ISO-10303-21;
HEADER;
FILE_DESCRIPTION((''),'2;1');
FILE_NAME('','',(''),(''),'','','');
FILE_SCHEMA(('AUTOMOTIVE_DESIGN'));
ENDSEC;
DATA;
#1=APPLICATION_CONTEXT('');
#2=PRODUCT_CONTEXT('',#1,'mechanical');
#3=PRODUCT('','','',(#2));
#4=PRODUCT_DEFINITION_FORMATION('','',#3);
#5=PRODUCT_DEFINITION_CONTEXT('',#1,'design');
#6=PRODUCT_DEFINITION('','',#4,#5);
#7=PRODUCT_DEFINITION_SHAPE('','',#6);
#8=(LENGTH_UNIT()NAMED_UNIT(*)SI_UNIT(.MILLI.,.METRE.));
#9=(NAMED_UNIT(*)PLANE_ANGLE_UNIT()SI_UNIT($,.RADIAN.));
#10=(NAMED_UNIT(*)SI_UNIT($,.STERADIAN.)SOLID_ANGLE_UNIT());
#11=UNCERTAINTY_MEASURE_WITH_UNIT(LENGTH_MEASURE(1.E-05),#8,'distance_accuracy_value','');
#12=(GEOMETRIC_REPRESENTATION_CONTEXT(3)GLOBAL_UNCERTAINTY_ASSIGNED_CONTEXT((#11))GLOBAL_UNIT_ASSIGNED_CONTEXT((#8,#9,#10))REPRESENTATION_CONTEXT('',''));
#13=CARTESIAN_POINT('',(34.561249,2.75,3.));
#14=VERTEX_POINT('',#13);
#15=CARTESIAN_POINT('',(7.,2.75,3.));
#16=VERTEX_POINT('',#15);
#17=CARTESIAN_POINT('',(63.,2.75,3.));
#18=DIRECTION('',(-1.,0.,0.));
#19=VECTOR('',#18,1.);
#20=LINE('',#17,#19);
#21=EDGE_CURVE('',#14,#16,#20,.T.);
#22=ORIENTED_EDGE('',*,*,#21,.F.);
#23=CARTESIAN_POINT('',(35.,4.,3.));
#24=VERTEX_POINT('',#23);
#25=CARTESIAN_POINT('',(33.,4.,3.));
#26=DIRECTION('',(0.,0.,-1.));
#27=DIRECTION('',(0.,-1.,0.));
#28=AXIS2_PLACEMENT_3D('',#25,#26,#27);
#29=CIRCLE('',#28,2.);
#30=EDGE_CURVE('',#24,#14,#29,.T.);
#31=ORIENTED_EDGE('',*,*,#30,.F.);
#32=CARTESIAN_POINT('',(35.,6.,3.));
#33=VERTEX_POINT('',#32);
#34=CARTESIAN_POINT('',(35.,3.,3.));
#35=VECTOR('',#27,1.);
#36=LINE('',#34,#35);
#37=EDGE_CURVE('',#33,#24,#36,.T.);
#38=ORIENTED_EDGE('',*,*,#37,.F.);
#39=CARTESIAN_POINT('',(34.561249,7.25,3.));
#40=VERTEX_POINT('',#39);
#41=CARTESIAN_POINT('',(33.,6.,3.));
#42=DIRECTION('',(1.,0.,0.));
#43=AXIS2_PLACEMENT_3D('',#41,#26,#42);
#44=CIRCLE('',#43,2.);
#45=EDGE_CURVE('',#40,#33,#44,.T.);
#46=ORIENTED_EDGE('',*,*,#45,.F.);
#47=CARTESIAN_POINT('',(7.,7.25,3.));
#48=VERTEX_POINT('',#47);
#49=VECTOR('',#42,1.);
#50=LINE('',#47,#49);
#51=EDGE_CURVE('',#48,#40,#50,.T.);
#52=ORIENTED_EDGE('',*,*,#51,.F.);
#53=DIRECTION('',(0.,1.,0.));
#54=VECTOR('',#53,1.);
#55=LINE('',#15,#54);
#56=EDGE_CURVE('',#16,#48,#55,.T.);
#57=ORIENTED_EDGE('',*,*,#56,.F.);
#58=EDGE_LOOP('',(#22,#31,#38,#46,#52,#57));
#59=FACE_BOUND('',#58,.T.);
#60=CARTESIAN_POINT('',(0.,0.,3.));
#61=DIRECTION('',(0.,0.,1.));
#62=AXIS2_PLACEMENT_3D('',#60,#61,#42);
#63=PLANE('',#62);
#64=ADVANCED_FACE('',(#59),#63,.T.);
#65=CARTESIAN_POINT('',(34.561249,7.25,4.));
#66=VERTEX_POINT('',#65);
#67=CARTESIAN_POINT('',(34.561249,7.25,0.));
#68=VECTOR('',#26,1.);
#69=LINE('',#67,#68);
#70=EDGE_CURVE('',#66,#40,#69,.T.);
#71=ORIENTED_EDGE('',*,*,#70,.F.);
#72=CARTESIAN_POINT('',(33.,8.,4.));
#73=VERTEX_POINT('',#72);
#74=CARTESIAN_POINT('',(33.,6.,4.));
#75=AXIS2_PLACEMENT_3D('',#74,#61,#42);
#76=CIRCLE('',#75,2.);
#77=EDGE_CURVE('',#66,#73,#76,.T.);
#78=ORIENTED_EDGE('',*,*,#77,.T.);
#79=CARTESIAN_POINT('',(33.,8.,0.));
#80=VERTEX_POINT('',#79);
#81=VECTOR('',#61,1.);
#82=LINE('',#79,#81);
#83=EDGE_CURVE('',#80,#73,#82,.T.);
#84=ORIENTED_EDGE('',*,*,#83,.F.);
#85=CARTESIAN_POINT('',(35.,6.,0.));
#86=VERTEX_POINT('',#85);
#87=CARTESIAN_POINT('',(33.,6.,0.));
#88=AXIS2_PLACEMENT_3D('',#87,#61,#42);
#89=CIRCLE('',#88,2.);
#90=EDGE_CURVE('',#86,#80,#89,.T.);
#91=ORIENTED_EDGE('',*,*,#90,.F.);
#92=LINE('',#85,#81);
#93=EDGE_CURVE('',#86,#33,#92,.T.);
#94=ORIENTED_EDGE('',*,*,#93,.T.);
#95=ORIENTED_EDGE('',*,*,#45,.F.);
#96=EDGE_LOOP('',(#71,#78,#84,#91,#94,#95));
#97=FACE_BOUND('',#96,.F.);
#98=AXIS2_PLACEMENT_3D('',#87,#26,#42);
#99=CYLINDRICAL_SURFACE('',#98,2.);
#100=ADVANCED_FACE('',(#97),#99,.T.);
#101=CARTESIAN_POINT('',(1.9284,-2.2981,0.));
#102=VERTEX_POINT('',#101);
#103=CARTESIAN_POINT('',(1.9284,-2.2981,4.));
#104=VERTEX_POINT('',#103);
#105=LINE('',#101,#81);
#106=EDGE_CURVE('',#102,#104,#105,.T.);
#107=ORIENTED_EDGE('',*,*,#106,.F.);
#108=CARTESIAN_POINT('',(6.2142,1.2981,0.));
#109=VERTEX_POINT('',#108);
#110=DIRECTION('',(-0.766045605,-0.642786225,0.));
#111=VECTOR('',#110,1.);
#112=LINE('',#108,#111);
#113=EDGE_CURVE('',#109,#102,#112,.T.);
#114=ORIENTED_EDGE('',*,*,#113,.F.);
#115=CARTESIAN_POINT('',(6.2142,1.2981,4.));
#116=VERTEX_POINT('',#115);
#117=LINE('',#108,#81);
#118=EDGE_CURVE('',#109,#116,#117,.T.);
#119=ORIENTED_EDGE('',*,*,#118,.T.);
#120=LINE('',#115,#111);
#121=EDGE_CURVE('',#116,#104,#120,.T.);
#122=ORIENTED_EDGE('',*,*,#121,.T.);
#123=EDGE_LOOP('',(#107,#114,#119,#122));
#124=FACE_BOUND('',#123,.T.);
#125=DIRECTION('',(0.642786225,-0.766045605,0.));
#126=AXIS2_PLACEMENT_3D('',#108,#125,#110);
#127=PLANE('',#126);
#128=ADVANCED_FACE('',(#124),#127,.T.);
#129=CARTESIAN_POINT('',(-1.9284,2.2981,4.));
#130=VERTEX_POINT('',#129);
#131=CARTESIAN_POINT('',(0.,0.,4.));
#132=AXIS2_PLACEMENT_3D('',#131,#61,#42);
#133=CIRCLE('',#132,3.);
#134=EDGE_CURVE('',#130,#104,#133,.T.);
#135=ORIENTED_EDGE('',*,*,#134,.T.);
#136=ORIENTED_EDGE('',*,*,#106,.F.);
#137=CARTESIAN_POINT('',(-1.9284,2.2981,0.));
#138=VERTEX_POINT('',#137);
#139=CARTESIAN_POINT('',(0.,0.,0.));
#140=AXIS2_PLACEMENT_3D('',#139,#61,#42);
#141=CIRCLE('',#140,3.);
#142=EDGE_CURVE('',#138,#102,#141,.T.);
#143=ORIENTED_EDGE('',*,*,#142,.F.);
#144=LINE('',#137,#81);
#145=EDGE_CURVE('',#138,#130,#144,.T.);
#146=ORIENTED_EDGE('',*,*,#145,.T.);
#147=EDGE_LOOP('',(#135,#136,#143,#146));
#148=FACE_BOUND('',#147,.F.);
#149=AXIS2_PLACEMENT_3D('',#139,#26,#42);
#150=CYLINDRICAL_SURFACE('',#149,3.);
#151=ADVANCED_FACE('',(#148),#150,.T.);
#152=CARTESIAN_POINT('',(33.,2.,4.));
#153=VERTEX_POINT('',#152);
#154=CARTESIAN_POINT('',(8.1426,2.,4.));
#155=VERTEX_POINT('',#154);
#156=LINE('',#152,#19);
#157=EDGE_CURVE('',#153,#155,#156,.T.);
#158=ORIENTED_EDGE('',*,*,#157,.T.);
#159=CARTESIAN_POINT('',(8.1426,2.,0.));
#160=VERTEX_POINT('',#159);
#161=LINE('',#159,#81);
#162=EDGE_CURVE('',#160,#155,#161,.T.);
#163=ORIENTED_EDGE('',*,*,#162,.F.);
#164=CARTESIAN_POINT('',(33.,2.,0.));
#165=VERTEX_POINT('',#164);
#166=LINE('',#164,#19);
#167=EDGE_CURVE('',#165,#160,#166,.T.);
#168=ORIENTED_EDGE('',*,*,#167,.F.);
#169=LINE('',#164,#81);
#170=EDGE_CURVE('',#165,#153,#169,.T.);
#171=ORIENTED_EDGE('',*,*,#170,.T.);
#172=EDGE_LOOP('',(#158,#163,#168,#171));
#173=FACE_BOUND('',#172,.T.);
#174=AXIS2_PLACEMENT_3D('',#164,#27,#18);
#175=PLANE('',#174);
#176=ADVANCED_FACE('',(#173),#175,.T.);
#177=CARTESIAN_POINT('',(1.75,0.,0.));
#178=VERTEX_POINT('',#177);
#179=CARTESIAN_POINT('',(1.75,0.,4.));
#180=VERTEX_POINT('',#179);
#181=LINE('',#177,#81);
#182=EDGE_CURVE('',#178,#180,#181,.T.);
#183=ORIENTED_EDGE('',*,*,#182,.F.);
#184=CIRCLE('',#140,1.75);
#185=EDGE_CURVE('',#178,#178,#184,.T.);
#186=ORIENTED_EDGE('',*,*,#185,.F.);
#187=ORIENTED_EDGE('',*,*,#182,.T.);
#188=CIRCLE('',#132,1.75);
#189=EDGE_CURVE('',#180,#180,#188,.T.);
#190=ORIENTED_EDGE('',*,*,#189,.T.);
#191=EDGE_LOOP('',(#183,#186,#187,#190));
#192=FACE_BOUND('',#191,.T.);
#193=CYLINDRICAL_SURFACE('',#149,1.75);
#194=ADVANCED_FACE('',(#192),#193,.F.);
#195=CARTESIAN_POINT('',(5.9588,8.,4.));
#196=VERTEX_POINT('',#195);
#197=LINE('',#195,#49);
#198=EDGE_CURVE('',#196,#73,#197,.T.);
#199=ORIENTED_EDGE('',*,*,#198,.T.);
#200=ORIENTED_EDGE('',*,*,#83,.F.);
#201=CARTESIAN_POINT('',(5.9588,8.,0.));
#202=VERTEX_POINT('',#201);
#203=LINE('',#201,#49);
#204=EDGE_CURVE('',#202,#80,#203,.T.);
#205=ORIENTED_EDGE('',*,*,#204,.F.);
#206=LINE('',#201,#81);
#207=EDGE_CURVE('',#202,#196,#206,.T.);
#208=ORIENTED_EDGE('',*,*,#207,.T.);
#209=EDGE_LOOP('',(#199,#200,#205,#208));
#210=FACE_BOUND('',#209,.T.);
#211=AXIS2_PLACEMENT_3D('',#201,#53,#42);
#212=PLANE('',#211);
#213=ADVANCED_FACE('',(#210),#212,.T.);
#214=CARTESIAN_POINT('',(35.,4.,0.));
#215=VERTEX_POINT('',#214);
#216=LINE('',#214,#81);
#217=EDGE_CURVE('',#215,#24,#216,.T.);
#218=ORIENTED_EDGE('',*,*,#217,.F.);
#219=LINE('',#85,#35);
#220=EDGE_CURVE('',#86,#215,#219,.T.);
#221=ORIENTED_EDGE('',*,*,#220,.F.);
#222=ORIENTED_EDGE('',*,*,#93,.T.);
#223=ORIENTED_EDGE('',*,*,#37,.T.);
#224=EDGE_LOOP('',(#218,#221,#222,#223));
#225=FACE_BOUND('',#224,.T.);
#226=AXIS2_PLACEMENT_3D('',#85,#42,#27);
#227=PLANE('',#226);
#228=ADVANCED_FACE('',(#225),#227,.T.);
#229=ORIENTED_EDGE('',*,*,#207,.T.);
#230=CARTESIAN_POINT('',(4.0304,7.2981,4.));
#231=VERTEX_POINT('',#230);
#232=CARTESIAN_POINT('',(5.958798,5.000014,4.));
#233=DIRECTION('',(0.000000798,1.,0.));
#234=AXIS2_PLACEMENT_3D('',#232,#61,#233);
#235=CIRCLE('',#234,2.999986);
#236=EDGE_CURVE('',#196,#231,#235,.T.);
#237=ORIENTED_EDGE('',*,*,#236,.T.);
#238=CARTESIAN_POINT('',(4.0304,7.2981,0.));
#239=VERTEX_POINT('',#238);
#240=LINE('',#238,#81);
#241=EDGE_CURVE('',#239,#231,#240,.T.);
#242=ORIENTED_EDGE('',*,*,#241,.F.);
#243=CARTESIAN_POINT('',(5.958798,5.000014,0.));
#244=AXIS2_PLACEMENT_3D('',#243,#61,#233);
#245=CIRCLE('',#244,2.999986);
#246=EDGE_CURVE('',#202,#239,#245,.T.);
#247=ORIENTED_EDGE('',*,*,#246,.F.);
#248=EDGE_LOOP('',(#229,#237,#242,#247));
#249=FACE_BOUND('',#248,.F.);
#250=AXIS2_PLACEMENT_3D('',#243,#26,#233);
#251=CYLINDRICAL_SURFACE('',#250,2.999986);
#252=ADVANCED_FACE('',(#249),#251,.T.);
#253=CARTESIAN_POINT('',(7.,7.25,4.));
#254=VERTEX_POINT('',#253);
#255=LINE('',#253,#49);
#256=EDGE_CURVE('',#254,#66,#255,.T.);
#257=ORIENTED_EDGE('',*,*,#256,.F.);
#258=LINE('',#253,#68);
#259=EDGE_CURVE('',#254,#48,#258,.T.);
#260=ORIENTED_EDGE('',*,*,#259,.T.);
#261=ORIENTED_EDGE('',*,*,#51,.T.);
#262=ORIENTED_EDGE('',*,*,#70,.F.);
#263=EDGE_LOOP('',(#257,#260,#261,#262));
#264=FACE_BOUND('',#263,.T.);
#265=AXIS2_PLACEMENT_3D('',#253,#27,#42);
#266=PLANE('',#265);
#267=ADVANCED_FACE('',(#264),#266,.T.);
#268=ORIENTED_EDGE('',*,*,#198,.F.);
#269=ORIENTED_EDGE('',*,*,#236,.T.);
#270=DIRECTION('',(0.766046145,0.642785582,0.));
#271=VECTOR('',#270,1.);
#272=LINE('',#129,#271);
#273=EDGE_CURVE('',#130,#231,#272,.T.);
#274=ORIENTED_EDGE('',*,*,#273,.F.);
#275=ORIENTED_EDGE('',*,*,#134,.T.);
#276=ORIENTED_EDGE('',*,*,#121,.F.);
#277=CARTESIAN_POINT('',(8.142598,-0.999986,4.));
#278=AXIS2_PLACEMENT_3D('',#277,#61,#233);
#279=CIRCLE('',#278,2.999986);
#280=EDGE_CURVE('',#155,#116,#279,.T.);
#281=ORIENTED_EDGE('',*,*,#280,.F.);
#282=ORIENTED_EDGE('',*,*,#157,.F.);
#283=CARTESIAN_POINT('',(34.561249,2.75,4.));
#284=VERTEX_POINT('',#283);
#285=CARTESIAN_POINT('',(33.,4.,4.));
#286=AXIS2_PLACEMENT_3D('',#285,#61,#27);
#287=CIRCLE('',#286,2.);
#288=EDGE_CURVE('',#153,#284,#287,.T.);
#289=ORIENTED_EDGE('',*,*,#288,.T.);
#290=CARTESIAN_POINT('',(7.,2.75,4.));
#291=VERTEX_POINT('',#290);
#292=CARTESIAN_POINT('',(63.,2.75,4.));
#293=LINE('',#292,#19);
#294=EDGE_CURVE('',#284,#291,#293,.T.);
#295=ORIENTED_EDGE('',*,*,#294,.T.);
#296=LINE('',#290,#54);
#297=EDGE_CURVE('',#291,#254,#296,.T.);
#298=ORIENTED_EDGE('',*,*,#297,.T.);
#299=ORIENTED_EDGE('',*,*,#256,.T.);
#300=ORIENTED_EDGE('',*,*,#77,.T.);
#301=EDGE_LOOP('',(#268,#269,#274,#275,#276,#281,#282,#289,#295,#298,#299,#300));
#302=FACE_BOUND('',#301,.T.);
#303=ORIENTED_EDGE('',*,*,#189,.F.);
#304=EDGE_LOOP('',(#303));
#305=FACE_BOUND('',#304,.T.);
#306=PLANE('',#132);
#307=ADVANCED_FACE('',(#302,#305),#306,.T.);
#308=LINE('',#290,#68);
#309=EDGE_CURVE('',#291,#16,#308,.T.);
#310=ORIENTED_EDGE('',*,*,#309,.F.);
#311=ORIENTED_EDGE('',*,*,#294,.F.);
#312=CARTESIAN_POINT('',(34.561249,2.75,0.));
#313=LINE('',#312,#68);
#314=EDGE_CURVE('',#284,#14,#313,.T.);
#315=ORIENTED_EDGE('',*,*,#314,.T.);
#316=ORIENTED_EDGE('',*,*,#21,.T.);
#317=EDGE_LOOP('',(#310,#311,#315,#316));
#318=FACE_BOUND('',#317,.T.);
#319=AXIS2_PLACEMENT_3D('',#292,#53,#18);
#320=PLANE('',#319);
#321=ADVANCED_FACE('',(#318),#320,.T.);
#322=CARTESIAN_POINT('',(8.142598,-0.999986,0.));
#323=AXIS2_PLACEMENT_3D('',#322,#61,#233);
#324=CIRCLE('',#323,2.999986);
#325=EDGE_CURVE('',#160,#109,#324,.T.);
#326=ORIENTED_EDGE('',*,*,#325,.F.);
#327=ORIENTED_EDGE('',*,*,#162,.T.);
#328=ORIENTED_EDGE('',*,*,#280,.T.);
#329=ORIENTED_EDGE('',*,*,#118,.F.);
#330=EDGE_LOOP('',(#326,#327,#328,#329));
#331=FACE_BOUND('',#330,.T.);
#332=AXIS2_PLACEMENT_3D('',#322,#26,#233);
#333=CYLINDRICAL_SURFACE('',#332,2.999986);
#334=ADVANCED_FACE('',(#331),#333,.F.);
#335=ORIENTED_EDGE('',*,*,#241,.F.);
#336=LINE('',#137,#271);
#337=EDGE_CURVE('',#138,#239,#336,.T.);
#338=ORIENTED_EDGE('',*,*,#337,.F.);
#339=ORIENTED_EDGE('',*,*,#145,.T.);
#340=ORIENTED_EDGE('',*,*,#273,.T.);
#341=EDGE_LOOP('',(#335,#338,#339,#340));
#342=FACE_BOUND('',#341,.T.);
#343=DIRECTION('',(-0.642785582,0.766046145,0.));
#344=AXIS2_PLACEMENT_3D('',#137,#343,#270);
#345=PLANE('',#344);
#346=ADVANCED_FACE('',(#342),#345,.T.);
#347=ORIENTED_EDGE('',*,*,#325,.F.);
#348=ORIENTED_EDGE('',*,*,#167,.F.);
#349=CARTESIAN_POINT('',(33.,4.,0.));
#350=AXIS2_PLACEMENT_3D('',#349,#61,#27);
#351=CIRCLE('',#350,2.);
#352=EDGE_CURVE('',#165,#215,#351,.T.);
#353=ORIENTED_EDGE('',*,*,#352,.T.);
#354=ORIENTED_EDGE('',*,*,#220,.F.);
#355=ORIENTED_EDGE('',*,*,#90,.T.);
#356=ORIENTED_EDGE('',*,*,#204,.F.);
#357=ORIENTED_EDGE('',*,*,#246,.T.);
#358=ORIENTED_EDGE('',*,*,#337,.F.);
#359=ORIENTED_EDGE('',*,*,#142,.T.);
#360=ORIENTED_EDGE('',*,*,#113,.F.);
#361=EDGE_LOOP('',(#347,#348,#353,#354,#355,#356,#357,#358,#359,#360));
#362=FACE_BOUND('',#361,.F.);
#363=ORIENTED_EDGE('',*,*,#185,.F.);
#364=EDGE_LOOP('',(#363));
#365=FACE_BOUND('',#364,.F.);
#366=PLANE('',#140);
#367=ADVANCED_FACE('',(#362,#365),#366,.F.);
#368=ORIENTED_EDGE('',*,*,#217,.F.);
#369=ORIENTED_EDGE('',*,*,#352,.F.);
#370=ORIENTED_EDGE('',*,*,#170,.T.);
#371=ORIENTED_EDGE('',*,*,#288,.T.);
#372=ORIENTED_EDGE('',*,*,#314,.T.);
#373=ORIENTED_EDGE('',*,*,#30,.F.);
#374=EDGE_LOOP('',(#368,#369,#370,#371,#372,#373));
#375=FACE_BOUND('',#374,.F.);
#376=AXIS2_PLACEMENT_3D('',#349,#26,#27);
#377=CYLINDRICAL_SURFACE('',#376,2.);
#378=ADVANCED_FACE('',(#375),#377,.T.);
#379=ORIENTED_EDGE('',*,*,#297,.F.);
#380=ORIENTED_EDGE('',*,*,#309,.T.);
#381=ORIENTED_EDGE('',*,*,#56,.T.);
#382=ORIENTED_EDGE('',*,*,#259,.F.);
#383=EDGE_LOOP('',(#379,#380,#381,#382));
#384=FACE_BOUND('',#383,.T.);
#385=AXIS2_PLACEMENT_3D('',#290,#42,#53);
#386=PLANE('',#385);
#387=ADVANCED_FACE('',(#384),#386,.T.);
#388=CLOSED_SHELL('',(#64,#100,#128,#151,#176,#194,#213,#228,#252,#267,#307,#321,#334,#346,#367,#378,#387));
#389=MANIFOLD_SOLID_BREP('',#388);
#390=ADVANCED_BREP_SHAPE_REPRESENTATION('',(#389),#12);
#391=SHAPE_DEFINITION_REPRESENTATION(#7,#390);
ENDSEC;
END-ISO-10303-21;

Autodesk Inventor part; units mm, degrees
ref_plane "YZ Plane" through (0, 0, 0) normal (1, 0, 0) x (0, 1, 0)
ref_plane "XZ Plane" through (0, 0, 0) normal (0, 1, 0) x (-1, 0, 0)
ref_plane "XY Plane" through (0, 0, 0) normal (0, 0, 1) x (1, 0, 0)
sketch "Sketch1" plane through (0, 0, 0) normal (0, 0, 1) x (1, 0, 0)
  circle A0 centre (0, 0) radius 3
  line L0 (-1.9284, 2.2981) -> (4.0304, 7.2981)
  line L1 (5.9588, 8) -> (33, 8)
  line L2 (35, 6) -> (35, 4)
  line L3 (33, 2) -> (8.1426, 2)
  line L4 (6.2142, 1.2981) -> (1.9284, -2.2981)
  arc A1 (5.9588, 8) -> (4.0304, 7.2981) centre (5.9588, 5) ccw
  arc A2 (8.1426, 2) -> (6.2142, 1.2981) centre (8.1426, -1) ccw
  arc A3 (35, 6) -> (33, 8) centre (33, 6) ccw
  arc A4 (33, 2) -> (35, 4) centre (33, 4) ccw
  circle A5 centre (0, 0) radius 1.75
  point P0 (35, 8)
  point P1 (35, 2)
  dimension "d0" = 6
  dimension "d1" = 6
  dimension "d2" = 3
  dimension "d3" = 140
  dimension "d4" = 2
  dimension "d5" = 2
  dimension "d6" = 35
  dimension "d7" = 3.5
extrude "Extrusion1" add sketch "Sketch1" along normal blind 4
sketch "Sketch2" plane through (0, 0, 4) normal (0, 0, 1) x (1, 0, 0)
  line L0 (63, 2.75) -> (7, 2.75)
  line L1 (7, 2.75) -> (7, 7.25)
  line L2 (7, 7.25) -> (63, 7.25)
  line L3 (63, 7.25) -> (63, 2.75)
  line L4 (35, 4) -> (35, 6) projected
  line L5 (63, 2.75) -> (7, 7.25) construction
  line L6 (7, 2.75) -> (63, 7.25) construction
  point P0 (0, 0)
  point P1 (35, 5)
  dimension "d10" = 4.5
  dimension "d11" = 28
extrude "Extrusion2" cut sketch "Sketch2" against normal blind 1
equation "\"d1\" = d0"
properties part number "espcam-mount-2a"
